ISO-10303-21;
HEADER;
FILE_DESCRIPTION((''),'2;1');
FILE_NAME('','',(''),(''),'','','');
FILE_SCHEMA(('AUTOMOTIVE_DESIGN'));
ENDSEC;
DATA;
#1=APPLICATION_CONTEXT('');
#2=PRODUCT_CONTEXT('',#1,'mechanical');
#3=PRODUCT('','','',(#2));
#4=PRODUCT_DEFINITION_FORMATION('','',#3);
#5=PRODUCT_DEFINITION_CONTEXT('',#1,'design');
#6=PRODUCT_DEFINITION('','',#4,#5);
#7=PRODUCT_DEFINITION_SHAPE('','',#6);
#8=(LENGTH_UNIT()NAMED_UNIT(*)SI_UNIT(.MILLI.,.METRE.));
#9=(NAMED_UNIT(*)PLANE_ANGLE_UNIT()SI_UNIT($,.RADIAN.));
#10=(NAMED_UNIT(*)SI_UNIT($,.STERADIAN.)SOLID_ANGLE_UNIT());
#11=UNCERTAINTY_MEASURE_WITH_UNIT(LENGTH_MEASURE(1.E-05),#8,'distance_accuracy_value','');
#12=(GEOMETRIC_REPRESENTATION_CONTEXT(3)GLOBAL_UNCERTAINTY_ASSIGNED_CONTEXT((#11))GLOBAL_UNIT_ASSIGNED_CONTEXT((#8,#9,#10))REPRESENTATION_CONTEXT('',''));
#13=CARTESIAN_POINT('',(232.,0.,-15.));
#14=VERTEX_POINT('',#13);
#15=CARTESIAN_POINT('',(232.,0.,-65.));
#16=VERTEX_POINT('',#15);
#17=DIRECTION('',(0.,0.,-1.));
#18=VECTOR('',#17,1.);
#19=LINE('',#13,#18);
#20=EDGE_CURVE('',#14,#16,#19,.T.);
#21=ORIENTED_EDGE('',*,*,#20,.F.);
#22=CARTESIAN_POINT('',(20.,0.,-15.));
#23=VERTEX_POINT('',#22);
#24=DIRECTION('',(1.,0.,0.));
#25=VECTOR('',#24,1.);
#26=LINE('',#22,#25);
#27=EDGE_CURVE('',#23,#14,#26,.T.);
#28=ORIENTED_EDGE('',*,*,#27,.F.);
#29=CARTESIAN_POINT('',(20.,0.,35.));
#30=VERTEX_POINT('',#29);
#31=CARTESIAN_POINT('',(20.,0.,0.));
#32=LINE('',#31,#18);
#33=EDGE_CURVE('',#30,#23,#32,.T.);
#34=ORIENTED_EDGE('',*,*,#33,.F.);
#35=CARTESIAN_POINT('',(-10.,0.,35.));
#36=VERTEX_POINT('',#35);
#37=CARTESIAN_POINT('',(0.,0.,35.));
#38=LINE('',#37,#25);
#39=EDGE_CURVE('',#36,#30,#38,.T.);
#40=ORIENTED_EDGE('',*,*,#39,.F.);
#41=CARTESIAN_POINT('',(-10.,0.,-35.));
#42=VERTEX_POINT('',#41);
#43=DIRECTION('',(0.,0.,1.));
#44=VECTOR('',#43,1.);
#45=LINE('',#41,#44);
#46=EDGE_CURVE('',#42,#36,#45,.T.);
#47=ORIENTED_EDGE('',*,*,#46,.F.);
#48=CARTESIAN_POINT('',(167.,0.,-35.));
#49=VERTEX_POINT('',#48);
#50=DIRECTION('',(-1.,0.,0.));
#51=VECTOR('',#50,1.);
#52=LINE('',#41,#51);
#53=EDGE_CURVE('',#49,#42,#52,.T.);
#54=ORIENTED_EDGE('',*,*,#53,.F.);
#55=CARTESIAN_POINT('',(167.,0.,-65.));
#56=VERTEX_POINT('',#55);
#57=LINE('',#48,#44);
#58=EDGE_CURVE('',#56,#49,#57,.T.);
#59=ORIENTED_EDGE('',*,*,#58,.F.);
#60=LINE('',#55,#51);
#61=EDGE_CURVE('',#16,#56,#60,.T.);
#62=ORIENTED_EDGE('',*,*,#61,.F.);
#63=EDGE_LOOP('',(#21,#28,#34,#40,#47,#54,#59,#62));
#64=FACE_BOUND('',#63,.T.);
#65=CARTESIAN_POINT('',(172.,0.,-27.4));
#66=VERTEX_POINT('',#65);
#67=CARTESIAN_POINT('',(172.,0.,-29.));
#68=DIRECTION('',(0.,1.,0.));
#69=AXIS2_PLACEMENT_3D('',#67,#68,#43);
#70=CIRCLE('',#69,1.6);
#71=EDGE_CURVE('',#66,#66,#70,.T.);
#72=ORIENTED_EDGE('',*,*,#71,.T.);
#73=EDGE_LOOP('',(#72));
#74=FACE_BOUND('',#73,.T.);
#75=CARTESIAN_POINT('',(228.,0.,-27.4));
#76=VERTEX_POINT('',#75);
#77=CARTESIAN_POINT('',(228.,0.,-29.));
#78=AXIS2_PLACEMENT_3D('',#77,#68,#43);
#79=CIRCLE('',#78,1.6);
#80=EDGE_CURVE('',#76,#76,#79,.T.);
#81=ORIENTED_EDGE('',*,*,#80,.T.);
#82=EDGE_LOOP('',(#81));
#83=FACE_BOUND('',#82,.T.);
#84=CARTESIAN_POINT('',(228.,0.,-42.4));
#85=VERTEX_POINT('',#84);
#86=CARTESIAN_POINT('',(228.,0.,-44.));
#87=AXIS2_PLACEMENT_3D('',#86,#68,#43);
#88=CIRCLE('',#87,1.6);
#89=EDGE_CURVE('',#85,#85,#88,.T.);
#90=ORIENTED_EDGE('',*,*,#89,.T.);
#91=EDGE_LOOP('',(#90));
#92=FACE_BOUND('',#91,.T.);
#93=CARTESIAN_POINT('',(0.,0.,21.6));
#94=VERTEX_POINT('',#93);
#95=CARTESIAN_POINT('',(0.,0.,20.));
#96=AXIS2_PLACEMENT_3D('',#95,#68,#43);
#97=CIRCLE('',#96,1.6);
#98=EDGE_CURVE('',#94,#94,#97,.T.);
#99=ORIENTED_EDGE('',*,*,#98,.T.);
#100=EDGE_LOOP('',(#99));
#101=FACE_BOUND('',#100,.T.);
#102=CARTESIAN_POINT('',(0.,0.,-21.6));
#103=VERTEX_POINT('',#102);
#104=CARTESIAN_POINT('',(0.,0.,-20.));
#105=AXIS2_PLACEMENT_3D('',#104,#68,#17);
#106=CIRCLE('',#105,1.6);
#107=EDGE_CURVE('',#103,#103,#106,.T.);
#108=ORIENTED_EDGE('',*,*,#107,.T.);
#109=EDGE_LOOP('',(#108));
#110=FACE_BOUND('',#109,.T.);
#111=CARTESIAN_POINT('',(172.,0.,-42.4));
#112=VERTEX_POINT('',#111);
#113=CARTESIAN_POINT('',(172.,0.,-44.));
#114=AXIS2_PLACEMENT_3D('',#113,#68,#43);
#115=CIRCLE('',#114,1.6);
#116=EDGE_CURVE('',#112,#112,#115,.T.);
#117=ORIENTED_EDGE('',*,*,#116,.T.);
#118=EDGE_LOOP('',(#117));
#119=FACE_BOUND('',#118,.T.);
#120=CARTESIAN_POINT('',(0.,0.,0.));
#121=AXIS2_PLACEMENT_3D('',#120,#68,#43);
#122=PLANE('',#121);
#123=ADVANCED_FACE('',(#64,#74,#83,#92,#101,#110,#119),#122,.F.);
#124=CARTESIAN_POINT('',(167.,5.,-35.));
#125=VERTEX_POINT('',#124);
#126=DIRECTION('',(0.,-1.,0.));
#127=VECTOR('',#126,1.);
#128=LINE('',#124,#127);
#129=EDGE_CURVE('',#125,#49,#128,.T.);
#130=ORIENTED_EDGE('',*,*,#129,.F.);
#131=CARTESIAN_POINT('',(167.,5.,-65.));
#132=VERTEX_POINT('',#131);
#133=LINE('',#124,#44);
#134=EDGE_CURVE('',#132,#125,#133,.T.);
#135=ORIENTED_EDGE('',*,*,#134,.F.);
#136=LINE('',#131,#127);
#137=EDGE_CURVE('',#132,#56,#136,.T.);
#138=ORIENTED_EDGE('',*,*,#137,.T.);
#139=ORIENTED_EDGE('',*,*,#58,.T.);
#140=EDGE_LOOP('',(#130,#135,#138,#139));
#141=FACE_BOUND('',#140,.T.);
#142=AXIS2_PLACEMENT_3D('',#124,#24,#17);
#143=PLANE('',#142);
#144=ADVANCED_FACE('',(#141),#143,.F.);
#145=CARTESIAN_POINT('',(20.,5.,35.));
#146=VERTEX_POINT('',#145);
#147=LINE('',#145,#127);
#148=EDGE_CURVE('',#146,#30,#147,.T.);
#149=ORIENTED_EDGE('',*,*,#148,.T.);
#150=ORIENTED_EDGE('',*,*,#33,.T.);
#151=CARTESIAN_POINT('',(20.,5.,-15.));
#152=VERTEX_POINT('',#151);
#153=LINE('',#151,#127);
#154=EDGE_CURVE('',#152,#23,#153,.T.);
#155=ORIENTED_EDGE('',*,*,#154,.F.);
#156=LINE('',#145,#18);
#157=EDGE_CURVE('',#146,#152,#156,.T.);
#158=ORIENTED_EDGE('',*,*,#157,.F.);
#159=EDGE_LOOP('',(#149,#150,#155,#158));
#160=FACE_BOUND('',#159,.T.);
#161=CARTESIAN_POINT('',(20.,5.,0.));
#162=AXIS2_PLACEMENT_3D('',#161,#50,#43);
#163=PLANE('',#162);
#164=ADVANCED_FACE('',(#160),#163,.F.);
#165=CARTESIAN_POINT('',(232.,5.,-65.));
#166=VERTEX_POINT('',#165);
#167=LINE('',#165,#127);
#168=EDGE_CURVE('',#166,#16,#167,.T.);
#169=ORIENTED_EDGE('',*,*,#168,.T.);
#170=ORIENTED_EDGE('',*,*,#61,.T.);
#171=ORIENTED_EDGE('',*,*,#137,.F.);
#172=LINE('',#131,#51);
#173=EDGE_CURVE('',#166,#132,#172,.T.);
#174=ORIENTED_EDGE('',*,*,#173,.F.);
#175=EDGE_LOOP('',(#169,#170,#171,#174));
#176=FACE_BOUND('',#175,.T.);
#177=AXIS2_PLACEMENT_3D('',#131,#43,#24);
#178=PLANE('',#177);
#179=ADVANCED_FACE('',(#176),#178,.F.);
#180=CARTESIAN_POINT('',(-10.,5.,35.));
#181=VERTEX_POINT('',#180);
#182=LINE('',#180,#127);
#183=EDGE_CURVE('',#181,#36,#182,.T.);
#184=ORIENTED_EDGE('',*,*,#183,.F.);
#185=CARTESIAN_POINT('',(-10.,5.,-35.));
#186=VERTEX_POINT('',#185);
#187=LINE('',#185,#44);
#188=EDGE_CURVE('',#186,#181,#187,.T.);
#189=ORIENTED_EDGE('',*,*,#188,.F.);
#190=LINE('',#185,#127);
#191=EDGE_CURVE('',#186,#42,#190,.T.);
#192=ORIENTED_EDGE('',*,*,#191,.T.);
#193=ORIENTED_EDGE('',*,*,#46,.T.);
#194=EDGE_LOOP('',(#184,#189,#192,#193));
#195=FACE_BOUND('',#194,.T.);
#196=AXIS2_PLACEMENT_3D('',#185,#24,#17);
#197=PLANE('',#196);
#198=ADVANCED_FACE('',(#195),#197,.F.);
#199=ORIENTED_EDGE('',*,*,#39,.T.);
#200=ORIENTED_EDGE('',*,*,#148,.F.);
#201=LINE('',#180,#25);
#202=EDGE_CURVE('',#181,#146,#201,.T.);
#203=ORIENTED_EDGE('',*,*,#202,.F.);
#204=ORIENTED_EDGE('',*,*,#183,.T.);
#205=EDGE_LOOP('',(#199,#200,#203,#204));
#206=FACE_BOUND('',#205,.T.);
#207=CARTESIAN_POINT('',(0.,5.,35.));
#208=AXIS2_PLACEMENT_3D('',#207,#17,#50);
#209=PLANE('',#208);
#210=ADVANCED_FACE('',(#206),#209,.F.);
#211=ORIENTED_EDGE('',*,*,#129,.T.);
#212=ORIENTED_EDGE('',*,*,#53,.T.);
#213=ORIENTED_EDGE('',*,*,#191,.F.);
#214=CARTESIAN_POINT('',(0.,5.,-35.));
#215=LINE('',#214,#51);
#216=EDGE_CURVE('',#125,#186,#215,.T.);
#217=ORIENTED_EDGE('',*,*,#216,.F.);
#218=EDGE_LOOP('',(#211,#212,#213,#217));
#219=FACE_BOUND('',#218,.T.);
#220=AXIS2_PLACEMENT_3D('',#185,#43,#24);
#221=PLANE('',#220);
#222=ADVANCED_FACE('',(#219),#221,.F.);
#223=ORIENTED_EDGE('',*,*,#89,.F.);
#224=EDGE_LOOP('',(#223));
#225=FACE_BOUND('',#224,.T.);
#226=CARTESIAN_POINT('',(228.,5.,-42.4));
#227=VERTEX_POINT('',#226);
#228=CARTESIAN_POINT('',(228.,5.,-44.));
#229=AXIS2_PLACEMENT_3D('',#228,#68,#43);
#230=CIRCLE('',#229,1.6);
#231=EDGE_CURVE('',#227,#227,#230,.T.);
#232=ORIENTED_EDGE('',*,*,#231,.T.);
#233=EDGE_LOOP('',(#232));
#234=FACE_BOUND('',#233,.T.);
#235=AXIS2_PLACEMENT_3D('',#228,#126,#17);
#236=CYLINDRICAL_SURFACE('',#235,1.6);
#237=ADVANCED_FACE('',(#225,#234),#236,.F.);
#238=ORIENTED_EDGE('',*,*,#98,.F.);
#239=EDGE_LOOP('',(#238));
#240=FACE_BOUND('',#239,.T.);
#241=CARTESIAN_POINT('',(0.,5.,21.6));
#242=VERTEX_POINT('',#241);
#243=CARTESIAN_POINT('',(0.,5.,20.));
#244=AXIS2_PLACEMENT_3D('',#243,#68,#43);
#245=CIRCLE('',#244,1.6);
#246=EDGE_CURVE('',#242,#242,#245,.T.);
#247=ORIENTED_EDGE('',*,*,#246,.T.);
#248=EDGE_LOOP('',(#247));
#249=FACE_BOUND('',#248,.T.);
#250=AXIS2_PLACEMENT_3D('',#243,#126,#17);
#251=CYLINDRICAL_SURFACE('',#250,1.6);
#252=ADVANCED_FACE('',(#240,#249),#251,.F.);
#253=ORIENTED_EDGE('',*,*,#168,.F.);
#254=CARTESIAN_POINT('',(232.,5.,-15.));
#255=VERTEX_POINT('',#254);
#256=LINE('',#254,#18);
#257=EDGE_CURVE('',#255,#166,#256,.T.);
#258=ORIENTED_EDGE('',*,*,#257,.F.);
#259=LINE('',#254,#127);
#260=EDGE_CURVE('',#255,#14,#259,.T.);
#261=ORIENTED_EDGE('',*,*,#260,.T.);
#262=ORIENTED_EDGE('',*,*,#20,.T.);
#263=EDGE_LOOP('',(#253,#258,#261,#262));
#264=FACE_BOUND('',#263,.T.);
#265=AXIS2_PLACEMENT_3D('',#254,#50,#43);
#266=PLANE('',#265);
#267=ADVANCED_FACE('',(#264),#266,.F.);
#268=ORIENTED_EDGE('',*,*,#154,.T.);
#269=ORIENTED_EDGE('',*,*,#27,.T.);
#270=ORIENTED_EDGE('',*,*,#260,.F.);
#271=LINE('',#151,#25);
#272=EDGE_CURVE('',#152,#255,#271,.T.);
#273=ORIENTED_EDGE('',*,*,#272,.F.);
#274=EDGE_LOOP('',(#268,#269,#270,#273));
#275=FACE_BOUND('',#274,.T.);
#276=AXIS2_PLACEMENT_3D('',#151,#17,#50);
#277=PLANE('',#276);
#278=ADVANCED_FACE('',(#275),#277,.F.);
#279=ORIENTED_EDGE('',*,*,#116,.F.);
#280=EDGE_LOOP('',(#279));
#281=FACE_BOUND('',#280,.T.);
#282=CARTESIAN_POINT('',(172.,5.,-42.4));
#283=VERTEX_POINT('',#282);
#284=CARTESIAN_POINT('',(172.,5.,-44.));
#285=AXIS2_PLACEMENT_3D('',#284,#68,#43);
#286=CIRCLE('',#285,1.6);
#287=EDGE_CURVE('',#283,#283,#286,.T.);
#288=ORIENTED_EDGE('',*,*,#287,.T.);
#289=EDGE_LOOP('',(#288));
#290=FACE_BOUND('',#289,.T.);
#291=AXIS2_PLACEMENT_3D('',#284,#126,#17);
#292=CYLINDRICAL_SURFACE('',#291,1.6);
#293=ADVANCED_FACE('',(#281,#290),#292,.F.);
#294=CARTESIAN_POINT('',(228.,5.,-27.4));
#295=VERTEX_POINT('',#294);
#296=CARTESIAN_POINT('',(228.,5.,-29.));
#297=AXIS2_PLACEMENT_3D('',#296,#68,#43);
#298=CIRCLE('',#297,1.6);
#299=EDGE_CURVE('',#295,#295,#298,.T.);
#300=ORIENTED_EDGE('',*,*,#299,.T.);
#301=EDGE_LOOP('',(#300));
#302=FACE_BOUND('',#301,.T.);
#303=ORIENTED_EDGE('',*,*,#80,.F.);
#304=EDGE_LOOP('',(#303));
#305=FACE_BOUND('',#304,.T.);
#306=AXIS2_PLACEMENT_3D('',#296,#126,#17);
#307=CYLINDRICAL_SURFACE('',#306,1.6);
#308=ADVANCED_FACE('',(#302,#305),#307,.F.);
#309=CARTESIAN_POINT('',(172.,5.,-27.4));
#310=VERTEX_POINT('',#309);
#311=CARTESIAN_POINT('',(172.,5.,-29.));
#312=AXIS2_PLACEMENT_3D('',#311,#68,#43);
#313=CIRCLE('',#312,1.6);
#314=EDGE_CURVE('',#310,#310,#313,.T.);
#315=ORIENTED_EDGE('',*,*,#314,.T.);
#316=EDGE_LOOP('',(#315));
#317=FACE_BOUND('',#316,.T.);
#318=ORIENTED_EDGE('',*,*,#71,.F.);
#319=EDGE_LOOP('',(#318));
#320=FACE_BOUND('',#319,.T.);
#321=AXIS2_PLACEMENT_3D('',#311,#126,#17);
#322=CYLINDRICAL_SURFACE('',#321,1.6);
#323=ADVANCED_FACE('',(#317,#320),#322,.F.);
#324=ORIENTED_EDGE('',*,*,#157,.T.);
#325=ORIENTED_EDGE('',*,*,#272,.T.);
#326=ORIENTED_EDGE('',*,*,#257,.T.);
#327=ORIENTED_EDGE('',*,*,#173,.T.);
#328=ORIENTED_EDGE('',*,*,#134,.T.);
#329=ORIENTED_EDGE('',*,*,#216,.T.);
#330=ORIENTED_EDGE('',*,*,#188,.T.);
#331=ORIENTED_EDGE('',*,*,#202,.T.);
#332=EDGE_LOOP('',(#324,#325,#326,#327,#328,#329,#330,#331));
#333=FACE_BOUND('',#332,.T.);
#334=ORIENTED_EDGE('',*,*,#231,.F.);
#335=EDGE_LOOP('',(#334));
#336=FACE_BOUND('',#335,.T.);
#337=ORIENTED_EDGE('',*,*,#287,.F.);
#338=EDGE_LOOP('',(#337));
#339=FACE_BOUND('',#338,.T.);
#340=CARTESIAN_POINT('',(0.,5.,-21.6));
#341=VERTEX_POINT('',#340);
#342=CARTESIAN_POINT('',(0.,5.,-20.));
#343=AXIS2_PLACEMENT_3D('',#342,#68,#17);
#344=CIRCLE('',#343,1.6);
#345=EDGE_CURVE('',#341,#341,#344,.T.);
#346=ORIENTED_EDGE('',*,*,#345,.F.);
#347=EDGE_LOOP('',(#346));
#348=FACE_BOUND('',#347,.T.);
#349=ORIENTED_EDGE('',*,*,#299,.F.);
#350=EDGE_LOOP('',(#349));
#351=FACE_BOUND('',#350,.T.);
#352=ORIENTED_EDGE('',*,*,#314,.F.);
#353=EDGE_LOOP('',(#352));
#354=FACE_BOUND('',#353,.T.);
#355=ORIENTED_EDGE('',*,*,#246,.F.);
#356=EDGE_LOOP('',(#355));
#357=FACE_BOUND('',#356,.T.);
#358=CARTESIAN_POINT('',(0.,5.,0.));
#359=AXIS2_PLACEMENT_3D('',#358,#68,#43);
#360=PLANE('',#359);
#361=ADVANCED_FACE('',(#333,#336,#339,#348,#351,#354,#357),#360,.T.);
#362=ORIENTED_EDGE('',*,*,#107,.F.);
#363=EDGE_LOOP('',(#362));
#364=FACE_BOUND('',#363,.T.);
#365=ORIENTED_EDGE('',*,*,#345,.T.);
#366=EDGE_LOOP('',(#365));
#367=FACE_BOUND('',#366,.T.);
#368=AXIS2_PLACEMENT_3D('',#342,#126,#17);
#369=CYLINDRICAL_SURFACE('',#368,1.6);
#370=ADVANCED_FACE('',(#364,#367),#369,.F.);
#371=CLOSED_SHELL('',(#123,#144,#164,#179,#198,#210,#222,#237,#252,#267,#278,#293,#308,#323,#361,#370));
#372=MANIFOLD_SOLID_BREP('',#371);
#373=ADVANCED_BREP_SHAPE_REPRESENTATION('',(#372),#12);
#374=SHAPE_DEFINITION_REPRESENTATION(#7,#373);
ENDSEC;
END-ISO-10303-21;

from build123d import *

# Parameters (mm, degrees)
SKETCH_1_R      = 1.6
EXTRUDE_1_DEPTH = 5


with BuildPart() as part:
    # 草图1 → 凸台-拉伸1 (new body)
    with BuildSketch(Plane(origin=(0, 0, 0), x_dir=(1, 0, 0), z_dir=(0, 1, 0))):
        Polygon((-10, 35), (0, 35), (167, 35), (167, 65), (232, 65), (232, 15), (20, 15), (20, 0), (20, -35), (0, -35), (-10, -35), align=None)
        with Locations(Location((0, -20, 0), (0, 0, 270))):
            Circle(SKETCH_1_R, mode=Mode.SUBTRACT)
        with Locations(Location((0, 20, 0), (0, 0, 90))):
            Circle(SKETCH_1_R, mode=Mode.SUBTRACT)
        with Locations(Location((172, 29, 0), (0, 0, 270))):
            Circle(SKETCH_1_R, mode=Mode.SUBTRACT)
        with Locations(Location((172, 44, 0), (0, 0, 270))):
            Circle(SKETCH_1_R, mode=Mode.SUBTRACT)
        with Locations(Location((228, 29, 0), (0, 0, 270))):
            Circle(SKETCH_1_R, mode=Mode.SUBTRACT)
        with Locations(Location((228, 44, 0), (0, 0, 270))):
            Circle(SKETCH_1_R, mode=Mode.SUBTRACT)
    extrude(amount=EXTRUDE_1_DEPTH)


solid = part.part
